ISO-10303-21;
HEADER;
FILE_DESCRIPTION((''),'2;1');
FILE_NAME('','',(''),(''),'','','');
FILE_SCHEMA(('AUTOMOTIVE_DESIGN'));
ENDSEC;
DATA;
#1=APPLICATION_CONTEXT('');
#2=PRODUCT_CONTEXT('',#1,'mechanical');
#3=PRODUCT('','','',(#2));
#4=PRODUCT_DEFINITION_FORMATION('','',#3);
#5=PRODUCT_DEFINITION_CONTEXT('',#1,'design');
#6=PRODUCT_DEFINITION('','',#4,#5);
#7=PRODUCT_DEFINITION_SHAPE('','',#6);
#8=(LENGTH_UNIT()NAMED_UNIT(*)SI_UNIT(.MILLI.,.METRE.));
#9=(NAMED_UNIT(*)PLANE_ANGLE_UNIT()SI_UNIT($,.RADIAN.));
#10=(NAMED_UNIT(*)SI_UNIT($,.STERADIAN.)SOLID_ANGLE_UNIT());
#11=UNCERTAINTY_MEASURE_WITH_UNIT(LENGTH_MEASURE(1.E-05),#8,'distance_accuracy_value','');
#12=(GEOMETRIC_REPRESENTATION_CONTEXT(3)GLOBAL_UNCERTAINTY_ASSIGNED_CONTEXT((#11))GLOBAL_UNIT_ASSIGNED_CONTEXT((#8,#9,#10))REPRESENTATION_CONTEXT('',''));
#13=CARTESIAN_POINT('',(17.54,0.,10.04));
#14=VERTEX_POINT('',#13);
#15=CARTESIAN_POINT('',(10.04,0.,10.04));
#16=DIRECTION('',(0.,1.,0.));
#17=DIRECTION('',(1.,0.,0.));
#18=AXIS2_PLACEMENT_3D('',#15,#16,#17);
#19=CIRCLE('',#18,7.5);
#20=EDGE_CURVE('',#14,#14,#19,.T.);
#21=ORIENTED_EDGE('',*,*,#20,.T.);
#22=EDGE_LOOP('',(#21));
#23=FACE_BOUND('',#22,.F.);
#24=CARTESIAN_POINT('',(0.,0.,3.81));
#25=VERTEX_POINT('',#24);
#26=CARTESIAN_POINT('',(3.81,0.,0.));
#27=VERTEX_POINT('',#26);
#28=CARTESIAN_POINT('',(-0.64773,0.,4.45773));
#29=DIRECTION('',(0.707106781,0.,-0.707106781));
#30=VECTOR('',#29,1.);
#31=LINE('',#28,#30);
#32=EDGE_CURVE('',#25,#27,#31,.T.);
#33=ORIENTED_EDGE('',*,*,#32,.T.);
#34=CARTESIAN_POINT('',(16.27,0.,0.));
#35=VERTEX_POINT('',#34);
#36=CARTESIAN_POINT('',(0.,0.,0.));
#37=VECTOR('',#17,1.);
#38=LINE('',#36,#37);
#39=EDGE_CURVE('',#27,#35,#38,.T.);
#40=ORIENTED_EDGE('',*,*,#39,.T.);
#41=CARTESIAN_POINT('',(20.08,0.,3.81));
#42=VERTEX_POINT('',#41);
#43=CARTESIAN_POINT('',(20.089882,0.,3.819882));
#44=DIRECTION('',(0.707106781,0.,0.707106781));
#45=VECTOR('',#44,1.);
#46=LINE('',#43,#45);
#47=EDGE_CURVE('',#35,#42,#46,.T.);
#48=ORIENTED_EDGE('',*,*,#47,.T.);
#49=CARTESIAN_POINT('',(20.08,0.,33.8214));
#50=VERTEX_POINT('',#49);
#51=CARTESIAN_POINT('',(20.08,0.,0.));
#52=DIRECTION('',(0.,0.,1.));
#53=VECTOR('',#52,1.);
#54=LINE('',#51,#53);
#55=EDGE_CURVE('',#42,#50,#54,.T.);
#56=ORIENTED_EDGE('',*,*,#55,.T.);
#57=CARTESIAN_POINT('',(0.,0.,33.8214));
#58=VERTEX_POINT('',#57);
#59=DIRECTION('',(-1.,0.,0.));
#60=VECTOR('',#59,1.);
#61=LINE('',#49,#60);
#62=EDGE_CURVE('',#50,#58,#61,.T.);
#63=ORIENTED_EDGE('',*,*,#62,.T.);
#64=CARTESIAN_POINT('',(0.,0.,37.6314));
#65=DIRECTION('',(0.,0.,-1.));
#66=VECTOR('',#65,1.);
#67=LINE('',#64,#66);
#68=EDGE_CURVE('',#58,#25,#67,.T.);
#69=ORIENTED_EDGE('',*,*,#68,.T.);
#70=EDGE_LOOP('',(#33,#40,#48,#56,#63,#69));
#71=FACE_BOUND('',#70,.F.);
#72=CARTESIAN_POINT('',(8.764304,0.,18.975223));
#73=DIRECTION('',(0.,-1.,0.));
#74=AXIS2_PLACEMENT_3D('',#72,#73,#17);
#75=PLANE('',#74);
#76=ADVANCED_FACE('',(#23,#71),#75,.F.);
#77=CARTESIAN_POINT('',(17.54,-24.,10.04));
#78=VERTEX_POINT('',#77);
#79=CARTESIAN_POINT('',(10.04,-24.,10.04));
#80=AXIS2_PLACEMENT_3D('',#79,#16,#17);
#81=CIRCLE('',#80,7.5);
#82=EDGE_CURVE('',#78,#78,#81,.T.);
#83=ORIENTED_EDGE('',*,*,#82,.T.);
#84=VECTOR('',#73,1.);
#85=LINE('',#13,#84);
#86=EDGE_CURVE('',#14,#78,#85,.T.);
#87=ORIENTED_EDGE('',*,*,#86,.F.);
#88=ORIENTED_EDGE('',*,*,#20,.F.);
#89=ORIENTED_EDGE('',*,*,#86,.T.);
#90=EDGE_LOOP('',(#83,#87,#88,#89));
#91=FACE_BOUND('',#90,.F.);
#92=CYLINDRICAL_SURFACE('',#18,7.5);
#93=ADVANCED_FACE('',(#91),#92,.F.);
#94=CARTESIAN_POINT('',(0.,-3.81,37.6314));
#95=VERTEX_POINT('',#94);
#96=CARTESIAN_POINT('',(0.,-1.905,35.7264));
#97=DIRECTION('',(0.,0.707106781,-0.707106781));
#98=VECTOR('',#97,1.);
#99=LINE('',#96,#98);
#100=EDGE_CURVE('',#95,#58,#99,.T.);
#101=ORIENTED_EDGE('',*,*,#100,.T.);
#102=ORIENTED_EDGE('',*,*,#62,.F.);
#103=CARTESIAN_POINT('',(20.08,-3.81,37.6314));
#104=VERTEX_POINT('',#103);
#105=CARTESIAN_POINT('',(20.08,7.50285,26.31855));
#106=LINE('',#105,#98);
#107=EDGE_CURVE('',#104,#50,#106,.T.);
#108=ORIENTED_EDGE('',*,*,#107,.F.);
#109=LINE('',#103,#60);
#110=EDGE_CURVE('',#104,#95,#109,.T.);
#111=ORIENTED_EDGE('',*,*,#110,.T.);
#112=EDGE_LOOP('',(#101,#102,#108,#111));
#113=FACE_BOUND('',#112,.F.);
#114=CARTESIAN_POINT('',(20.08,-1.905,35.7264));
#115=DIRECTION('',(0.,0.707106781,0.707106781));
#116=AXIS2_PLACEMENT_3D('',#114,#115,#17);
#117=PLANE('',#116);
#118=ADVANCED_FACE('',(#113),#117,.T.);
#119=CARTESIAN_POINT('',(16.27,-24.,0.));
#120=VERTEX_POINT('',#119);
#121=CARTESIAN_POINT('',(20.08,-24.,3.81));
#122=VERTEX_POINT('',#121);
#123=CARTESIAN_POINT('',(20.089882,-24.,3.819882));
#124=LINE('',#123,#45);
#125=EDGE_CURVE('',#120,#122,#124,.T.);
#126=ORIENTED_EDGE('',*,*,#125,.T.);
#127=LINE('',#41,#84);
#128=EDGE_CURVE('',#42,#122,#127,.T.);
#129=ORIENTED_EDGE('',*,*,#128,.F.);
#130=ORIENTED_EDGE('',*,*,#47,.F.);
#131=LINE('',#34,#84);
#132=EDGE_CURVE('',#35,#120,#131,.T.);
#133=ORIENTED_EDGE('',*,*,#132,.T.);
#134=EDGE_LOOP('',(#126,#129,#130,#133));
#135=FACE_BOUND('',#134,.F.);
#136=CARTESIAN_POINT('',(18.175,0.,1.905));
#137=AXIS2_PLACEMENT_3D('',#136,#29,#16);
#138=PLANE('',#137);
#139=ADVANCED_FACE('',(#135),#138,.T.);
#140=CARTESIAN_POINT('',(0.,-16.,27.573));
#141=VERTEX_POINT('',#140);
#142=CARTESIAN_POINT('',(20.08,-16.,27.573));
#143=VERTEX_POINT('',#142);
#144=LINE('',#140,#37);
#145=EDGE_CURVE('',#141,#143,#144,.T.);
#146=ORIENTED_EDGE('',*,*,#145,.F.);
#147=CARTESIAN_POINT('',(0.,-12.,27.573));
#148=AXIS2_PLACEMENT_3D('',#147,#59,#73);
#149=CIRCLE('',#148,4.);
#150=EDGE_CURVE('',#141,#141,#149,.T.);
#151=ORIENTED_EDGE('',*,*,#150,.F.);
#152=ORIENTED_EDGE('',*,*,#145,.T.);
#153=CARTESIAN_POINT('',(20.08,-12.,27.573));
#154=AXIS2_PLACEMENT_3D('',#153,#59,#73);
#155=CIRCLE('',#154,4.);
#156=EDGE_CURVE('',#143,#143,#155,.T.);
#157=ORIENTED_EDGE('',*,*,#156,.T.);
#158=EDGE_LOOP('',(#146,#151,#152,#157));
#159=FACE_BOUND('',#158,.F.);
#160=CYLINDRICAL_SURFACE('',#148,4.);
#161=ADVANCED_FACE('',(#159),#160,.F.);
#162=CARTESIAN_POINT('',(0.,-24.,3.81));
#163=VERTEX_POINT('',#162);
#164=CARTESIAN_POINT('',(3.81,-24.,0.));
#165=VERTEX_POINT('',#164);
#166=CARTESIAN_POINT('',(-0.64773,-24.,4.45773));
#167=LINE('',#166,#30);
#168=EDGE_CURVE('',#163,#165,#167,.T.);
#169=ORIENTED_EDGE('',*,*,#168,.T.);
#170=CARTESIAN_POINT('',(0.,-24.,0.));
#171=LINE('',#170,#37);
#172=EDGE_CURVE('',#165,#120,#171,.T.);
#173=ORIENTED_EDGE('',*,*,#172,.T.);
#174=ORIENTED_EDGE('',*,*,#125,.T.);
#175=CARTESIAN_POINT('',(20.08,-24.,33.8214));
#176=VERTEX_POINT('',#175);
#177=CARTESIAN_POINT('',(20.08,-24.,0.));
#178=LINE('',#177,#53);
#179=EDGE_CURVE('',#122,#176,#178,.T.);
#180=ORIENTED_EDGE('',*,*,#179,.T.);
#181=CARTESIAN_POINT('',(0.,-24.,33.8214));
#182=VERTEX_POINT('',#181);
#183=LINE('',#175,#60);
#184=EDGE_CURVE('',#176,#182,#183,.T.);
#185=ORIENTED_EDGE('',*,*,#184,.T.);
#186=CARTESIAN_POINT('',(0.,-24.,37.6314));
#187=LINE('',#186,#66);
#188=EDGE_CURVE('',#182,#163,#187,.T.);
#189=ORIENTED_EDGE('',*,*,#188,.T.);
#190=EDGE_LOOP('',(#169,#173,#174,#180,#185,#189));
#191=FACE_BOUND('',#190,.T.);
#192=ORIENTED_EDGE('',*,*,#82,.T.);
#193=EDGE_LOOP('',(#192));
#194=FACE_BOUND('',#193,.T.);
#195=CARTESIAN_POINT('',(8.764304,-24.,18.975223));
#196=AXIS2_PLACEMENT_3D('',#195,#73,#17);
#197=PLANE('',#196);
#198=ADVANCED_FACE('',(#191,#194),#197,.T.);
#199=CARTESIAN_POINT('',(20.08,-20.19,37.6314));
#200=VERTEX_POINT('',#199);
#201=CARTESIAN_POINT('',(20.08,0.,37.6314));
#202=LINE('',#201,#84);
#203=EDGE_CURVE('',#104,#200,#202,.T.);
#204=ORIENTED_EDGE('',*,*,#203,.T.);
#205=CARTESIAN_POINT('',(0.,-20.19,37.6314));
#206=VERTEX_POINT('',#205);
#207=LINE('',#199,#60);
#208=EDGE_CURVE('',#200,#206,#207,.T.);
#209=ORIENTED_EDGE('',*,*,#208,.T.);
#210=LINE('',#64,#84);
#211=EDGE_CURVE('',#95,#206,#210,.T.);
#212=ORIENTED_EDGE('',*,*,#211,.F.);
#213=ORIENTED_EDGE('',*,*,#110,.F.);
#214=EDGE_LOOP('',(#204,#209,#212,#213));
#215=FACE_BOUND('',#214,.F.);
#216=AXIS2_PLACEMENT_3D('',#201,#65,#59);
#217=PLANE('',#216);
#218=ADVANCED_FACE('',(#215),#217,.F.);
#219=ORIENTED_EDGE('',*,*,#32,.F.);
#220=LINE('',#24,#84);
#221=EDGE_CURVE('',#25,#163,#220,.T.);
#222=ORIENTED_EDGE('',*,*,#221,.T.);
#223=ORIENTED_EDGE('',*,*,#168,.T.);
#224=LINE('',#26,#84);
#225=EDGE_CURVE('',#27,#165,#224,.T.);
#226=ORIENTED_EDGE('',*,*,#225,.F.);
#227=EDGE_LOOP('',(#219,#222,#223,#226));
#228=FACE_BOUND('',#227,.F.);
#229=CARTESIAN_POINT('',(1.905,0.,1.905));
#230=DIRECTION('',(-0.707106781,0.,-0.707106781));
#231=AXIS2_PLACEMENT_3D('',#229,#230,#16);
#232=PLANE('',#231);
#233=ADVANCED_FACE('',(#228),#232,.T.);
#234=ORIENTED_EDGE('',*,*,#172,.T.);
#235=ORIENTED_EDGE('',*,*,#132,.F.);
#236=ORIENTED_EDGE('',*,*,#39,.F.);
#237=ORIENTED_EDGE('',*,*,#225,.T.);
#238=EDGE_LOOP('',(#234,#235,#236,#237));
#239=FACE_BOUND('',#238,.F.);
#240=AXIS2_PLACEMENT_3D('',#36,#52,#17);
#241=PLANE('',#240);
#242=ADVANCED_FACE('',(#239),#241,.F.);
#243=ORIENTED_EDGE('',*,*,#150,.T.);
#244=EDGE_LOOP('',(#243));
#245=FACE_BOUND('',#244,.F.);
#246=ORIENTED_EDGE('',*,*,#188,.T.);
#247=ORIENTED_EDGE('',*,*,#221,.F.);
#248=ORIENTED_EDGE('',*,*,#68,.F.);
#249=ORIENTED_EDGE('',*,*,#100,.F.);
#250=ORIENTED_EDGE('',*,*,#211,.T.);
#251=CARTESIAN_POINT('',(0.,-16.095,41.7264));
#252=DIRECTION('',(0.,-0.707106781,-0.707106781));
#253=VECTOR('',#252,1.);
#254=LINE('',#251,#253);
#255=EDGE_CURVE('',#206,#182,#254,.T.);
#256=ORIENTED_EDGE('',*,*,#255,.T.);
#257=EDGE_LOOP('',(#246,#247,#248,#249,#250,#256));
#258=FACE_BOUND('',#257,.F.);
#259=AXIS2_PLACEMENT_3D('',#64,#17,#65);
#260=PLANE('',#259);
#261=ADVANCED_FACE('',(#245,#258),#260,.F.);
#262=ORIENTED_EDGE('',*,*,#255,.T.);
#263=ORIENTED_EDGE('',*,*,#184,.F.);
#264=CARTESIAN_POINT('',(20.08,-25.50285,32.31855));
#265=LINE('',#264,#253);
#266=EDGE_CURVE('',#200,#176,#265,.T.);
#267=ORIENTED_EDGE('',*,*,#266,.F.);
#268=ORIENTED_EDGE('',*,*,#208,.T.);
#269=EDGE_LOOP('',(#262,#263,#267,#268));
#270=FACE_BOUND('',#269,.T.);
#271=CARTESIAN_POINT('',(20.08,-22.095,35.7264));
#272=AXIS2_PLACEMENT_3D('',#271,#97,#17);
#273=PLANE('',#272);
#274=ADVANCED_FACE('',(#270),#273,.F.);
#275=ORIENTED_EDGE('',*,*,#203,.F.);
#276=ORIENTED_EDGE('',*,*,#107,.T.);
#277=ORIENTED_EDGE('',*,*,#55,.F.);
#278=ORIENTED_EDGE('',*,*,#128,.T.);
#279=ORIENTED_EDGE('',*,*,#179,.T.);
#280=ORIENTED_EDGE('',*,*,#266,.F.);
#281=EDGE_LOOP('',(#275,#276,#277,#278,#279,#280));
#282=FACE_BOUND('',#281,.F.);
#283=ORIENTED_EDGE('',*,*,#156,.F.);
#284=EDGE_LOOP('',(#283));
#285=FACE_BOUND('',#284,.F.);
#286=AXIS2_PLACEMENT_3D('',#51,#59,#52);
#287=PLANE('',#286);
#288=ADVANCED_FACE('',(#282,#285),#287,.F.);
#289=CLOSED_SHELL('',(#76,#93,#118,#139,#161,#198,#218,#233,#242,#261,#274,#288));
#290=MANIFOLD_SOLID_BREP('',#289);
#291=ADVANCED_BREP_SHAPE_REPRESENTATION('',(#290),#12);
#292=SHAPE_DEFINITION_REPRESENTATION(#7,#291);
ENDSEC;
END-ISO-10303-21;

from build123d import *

# Parameters (mm, degrees)
F1_DEPTH = 24
F2_R     = 4
F3_DEPTH = 25.4
F4_SIZE  = 3.81


with BuildPart() as f1:
    # F0 (on Front) → F1 (new body)
    with BuildSketch(Plane.XZ):
        with BuildLine():
            Line((0, 37.6314), (0, 0))
            Line((0, 0), (10.04, 0))
            Line((10.04, 0), (10.04, 2.54))
            ThreePointArc((10.04, 2.54), (2.54, 10.04), (10.04, 17.54))
            ThreePointArc((10.04, 17.54), (15.3433008589, 15.3433008589), (17.54, 10.04))
            Line((17.54, 10.04), (20.08, 10.04))
            Line((20.08, 10.04), (20.08, 37.6314))
            Line((20.08, 37.6314), (0, 37.6314))
        make_face()
        with BuildLine():
            ThreePointArc((17.5457, 27.5857), (15.3473313676, 22.2783686324), (10.04, 20.08))
            ThreePointArc((10.04, 20.08), (4.7326686324, 32.8930313676), (17.5457, 27.5857))
        make_face(mode=Mode.SUBTRACT)
        with BuildLine():
            ThreePointArc((17.5457, 27.5857), (4.7326686324, 32.8930313676), (10.04, 20.08))
            ThreePointArc((10.04, 20.08), (15.3473313676, 22.2783686324), (17.5457, 27.5857))
        make_face()
        with BuildLine():
            ThreePointArc((14.04, 27.5857), (12.8684271247, 24.7572728753), (10.04, 23.5857))
            ThreePointArc((10.04, 23.5857), (7.2115728753, 30.4141271247), (14.04, 27.5857))
        make_face(mode=Mode.SUBTRACT)
        with BuildLine():
            Line((10.04, 2.54), (10.04, 0))
            Line((10.04, 0), (20.08, 0))
            Line((20.08, 0), (20.08, 10.04))
            Line((20.08, 10.04), (17.54, 10.04))
            ThreePointArc((17.54, 10.04), (15.3433008589, 4.7366991411), (10.04, 2.54))
        make_face()
        with BuildLine():
            ThreePointArc((14.04, 27.5857), (7.2115728753, 30.4141271247), (10.04, 23.5857))
            ThreePointArc((10.04, 23.5857), (12.8684271247, 24.7572728753), (14.04, 27.5857))
        make_face()
    extrude(amount=F1_DEPTH)

    # F2 (on face) → F3 (cut)
    with BuildSketch(Plane(origin=(0, 0, 0), x_dir=(0, -1, 0), z_dir=(-1, 0, 0))):
        with Locations((12, 27.573)):
            Circle(F2_R)
    extrude(amount=-F3_DEPTH, mode=Mode.SUBTRACT)

    # F4
    f4_edges = [f1.edges().sort_by_distance(p)[0] for p in [
        (10.04, 0, 37.6314),
        (0, -12, 0),
        (10.04, -24, 37.6314),
        (20.08, -12, 0),
    ]]
    chamfer(f4_edges, length=F4_SIZE)


solid = f1.part
